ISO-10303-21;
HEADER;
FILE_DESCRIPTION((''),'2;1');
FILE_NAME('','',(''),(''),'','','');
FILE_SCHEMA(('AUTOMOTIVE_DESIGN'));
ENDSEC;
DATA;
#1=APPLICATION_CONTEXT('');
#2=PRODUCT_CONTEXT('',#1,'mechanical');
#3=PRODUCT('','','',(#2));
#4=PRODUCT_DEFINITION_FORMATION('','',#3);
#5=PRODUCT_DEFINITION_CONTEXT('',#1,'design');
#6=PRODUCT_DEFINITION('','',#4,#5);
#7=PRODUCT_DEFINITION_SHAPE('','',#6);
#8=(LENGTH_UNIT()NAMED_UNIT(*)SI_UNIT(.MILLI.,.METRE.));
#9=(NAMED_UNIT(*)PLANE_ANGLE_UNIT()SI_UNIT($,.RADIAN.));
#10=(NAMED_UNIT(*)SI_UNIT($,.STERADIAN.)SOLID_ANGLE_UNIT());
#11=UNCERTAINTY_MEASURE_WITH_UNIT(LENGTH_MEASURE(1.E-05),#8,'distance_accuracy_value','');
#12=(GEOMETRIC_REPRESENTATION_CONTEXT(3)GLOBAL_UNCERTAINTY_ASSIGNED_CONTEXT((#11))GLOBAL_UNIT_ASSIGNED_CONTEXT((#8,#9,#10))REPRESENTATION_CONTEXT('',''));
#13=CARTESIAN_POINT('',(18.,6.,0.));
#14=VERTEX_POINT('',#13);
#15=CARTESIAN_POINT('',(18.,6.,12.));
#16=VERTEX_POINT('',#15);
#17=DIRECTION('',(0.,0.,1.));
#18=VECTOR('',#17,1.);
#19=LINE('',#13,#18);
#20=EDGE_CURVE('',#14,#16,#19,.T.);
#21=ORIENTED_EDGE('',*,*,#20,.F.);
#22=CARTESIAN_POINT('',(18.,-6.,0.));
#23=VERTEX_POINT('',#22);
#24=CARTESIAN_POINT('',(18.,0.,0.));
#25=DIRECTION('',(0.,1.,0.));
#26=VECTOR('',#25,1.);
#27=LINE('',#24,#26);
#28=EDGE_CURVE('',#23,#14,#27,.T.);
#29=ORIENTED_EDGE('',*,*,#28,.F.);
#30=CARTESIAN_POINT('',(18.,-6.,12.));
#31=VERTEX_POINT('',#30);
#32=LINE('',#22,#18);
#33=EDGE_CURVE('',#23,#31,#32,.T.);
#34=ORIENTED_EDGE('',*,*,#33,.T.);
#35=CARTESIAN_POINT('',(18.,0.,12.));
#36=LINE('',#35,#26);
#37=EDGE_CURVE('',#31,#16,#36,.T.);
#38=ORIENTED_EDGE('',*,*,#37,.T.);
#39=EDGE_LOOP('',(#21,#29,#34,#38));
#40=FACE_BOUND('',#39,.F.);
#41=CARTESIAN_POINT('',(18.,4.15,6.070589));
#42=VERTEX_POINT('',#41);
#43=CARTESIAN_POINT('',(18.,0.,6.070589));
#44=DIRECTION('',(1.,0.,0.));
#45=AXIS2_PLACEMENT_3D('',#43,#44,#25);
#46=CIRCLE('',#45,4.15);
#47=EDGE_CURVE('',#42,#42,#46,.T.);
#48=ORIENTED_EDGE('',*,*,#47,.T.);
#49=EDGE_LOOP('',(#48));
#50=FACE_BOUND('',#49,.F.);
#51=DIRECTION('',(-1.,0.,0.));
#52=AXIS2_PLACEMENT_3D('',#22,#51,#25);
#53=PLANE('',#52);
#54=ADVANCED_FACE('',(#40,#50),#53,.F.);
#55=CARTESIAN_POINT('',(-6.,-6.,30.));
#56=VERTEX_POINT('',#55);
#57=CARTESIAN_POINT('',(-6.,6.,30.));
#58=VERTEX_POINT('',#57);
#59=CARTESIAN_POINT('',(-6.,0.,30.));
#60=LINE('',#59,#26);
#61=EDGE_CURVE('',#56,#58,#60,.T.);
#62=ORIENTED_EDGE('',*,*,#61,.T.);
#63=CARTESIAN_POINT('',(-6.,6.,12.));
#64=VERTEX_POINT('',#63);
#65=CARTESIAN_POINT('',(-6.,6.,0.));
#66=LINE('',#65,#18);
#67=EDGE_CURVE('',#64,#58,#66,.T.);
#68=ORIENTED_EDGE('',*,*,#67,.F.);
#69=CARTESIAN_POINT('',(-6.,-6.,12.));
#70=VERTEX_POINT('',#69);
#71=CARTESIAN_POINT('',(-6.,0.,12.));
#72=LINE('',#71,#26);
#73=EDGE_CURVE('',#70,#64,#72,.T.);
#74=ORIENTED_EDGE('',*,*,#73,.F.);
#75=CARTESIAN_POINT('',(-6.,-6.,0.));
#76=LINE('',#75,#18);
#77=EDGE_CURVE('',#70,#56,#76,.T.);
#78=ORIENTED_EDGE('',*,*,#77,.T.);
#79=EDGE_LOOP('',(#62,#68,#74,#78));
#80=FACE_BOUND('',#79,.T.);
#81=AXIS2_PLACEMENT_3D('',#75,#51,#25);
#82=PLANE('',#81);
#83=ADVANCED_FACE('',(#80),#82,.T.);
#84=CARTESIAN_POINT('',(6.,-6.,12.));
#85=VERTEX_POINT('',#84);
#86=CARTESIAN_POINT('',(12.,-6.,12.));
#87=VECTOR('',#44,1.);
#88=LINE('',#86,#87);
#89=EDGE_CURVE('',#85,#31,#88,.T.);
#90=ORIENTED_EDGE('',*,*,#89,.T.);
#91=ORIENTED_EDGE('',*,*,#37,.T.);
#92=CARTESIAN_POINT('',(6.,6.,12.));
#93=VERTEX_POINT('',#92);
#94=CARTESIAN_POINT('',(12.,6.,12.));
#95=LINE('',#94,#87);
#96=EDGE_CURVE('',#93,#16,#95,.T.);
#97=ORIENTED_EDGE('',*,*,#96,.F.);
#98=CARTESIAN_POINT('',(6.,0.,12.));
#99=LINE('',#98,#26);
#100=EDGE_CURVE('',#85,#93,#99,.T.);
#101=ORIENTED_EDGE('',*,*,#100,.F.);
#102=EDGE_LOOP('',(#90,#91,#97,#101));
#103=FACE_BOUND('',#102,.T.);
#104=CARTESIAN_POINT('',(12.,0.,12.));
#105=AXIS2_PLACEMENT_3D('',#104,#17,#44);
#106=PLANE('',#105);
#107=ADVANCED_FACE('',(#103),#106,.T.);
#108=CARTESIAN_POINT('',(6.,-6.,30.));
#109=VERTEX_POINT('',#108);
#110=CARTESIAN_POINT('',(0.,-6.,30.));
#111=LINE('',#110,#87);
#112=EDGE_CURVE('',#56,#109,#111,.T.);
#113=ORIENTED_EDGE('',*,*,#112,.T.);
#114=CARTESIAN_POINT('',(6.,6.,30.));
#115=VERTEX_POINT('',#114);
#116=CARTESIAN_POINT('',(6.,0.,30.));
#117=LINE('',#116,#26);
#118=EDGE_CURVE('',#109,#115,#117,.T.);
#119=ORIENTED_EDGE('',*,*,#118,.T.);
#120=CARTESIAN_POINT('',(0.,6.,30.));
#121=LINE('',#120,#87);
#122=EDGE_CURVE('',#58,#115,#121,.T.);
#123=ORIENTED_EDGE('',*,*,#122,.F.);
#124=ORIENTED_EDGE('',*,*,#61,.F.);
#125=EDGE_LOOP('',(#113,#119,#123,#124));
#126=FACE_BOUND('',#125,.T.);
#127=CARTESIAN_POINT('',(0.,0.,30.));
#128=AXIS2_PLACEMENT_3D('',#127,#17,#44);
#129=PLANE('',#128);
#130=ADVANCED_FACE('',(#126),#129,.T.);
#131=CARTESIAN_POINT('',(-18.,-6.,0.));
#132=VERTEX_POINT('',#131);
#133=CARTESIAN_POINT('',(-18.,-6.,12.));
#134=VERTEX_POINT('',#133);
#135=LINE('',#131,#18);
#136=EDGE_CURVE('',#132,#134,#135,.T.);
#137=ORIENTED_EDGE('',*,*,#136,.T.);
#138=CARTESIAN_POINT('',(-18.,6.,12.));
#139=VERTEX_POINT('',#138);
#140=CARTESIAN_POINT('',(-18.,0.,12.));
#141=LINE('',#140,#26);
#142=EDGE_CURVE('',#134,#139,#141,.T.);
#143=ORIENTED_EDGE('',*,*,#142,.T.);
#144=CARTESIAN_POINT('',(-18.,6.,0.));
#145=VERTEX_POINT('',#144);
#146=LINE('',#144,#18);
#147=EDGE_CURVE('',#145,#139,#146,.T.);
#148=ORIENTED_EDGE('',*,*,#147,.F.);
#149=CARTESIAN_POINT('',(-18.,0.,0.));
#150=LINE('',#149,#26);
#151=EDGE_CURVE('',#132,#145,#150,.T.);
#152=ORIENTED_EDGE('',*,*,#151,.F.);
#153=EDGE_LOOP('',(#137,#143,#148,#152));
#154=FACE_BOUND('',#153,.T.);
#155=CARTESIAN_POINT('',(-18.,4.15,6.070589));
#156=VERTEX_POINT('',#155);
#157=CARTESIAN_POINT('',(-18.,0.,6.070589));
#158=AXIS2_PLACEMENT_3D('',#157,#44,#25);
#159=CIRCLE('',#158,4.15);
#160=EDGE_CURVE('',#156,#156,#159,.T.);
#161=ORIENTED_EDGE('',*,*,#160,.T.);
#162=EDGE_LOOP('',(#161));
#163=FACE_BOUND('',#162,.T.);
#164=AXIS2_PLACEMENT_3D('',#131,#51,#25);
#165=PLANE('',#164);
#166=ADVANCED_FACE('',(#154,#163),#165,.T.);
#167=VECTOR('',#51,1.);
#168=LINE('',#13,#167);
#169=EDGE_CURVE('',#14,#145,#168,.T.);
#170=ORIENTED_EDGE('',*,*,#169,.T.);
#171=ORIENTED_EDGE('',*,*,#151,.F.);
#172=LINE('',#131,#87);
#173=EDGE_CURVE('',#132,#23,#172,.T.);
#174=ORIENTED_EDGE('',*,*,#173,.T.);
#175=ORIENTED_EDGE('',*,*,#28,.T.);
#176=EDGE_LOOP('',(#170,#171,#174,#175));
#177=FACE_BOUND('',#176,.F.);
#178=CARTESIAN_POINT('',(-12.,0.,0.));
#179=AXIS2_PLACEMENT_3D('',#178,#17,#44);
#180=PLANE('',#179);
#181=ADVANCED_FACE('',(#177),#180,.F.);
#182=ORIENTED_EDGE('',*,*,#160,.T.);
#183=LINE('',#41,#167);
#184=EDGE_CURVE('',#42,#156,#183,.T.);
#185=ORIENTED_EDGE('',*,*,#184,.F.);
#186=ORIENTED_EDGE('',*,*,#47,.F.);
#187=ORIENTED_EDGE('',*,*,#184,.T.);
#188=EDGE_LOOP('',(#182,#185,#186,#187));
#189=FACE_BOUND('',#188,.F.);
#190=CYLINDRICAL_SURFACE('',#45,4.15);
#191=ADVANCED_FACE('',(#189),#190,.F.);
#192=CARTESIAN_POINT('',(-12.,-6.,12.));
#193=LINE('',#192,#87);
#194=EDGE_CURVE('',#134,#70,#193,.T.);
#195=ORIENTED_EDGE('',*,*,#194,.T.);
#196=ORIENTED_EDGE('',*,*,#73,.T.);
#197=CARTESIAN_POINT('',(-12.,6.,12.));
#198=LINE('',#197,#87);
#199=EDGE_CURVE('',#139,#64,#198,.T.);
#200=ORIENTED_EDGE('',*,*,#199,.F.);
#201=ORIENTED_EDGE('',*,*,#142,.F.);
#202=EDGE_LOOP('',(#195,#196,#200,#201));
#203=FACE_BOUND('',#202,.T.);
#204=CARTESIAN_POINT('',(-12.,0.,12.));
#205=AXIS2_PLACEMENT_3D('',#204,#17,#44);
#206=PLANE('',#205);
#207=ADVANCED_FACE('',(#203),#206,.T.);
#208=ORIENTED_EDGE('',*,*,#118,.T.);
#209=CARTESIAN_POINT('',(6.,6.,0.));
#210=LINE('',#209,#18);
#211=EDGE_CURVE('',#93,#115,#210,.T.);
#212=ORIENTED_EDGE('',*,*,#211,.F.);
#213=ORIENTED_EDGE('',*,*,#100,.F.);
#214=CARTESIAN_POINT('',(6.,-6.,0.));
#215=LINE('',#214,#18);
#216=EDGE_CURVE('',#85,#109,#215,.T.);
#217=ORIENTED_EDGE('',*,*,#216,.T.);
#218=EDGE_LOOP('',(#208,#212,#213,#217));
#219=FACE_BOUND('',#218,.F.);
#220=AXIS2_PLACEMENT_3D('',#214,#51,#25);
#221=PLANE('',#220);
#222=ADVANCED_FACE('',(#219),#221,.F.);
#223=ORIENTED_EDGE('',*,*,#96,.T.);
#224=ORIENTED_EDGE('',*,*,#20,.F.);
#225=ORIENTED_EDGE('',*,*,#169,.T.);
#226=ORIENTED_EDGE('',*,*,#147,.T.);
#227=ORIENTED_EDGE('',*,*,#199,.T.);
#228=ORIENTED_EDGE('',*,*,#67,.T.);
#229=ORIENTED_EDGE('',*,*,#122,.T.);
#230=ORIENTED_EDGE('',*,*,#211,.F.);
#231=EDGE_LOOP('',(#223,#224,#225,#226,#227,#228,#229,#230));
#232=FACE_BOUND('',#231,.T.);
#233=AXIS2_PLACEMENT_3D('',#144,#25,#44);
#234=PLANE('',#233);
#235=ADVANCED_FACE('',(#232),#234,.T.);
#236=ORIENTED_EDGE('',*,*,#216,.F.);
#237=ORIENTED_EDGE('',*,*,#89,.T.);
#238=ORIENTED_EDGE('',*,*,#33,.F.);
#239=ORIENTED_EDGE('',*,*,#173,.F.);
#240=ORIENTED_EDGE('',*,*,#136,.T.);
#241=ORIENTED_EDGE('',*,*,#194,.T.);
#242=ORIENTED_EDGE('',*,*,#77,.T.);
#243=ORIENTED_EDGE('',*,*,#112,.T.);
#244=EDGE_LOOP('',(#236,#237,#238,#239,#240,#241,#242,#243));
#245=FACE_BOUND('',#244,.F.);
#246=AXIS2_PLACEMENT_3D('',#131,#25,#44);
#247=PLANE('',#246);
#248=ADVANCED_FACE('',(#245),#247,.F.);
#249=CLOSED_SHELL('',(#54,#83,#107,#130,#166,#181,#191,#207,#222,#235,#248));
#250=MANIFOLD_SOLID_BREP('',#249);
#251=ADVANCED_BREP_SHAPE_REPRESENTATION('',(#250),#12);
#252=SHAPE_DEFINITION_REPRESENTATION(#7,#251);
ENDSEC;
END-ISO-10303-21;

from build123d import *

# Parameters (mm, degrees)
F0_W     = 12
F0_H     = 12
F1_DEPTH = 30
F2_DEPTH = 12
F3_R     = 4.15
F4_DEPTH = 45


with BuildPart() as f1:
    # F0 (on Top) → F1 (new body)
    with BuildSketch(Plane.XY):
        Rectangle(F0_W, F0_H)
    extrude(amount=F1_DEPTH)

    # F0 (on Top) → F2 (join)
    with BuildSketch(Plane.XY):
        with Locations((-12, 0)):
            Rectangle(F0_W, F0_H)
        with Locations((12, 0)):
            Rectangle(F0_W, F0_H)
    extrude(amount=F2_DEPTH)

    # F3 (on face) → F4 (cut)
    with BuildSketch(Plane.YZ.offset(18)):
        with Locations((0, 6.070589)):
            Circle(F3_R)
    extrude(amount=-F4_DEPTH, mode=Mode.SUBTRACT)


solid = f1.part
